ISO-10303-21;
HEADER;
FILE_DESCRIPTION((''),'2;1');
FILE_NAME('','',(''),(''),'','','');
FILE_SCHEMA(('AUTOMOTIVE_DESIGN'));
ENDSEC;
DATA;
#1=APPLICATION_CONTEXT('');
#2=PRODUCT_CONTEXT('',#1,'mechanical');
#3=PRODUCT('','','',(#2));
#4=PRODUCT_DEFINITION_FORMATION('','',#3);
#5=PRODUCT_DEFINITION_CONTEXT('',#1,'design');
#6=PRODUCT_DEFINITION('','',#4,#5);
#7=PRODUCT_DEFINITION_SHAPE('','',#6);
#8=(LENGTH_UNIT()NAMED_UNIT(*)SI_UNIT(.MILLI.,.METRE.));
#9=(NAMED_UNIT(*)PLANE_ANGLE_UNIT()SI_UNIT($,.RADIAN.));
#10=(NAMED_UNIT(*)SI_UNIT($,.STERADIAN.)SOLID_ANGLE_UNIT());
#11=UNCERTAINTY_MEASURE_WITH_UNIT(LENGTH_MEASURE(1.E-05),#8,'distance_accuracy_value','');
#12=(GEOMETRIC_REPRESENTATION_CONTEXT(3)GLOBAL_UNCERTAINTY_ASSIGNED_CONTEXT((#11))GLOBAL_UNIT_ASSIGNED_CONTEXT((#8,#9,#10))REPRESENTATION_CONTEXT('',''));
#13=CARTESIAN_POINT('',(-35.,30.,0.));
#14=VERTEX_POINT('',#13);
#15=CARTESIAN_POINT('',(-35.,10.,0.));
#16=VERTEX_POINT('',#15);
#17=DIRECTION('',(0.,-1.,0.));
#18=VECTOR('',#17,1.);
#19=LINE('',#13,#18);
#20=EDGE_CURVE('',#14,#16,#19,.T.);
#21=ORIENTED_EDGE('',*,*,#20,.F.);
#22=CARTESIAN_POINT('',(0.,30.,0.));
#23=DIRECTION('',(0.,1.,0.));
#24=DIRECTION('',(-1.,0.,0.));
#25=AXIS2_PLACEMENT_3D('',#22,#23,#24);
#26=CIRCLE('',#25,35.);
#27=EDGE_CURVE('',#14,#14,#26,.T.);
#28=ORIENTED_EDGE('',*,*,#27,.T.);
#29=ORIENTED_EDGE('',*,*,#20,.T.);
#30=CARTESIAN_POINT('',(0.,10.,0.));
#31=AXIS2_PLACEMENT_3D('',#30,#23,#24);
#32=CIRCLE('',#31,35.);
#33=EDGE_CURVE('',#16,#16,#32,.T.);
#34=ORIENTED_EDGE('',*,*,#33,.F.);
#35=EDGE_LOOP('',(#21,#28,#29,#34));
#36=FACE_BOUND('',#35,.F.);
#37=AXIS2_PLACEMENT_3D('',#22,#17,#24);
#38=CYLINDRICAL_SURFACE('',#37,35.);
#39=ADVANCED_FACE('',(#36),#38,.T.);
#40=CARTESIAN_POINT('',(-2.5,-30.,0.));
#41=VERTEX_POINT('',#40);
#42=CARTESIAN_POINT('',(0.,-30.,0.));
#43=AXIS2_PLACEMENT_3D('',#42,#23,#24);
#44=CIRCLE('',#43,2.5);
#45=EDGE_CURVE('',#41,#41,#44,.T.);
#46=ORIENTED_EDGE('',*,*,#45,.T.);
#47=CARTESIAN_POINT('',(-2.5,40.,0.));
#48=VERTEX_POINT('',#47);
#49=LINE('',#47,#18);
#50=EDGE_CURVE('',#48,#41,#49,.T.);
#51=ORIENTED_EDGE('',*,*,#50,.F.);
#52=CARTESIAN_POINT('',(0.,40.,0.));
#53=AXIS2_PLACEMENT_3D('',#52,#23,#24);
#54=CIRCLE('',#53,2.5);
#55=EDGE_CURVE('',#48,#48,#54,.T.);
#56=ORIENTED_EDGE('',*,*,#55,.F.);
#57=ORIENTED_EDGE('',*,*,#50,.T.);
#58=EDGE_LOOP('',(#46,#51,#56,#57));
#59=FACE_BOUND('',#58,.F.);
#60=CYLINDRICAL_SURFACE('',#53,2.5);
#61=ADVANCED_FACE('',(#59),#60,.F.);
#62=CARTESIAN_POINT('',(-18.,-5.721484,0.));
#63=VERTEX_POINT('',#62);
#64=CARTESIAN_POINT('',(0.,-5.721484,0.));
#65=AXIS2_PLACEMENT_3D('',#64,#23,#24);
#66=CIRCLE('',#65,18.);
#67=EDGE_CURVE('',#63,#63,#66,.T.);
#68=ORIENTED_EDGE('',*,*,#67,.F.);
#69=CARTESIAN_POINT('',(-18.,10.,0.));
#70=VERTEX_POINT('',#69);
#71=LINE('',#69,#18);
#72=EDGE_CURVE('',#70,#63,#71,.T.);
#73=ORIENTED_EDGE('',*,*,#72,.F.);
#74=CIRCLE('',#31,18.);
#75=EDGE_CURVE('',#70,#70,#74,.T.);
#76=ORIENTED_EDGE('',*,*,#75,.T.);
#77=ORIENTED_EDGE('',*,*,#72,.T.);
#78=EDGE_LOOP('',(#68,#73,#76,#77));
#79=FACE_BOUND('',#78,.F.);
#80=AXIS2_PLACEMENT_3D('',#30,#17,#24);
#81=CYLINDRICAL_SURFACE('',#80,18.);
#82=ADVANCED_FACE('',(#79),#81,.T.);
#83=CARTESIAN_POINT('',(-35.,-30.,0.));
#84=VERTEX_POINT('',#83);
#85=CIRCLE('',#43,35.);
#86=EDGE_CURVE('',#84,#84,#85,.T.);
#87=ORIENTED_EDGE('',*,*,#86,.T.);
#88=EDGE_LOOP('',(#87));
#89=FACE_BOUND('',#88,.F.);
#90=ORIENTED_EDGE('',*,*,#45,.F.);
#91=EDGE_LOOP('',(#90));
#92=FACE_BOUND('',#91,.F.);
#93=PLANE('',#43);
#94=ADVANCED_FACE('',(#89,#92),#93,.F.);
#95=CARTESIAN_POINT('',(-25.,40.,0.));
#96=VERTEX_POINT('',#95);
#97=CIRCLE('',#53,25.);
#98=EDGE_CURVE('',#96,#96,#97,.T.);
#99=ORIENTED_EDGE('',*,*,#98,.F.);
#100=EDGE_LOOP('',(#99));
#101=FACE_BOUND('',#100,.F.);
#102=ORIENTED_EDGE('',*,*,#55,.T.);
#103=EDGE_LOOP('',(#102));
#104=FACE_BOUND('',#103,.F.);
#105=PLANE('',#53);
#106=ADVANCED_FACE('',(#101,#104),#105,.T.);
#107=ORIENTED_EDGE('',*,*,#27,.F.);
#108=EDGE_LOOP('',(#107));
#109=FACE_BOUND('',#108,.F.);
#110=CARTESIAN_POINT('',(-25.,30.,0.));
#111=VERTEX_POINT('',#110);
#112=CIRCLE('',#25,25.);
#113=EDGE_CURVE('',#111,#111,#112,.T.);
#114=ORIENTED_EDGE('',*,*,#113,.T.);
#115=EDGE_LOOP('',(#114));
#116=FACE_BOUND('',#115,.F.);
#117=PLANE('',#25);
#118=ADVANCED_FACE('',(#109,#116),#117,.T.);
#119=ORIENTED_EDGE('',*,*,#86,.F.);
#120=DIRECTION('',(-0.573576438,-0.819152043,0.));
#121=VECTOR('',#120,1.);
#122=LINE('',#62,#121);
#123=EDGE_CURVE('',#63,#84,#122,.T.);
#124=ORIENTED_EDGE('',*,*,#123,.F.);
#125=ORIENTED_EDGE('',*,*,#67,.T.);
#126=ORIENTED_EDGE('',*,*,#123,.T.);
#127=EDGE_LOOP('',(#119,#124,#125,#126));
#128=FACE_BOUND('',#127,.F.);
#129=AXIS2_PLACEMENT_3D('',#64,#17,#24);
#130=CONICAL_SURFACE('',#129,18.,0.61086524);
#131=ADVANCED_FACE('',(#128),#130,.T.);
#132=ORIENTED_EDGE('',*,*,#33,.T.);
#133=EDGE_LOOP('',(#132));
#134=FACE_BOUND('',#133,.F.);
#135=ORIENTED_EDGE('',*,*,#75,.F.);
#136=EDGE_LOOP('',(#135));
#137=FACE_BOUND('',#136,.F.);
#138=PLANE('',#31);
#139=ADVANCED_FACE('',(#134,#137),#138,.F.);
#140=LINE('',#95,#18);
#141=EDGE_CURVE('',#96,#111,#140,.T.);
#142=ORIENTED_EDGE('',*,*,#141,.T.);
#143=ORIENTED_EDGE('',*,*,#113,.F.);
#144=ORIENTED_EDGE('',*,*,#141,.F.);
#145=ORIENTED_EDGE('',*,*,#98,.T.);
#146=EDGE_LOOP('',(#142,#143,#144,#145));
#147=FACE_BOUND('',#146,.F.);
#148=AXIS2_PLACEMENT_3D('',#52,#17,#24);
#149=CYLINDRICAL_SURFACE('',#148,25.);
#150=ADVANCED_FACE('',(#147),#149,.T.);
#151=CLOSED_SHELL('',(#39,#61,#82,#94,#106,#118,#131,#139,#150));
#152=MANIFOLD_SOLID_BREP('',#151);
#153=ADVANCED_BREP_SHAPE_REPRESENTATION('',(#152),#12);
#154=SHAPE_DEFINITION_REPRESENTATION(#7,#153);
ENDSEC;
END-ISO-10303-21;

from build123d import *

# Parameters (mm, degrees)
F2_R     = 2.5
F3_DEPTH = 70.001


with BuildPart() as f1:
    # F0 (on Top) → F1 (revolve)
    with BuildSketch(Plane.XY):
        Polygon((0, -30), (0, 0), (0, 40), (-25, 40), (-25, 30), (-35, 30), (-35, 10), (-18, 10), (-18, -5.721484), (-35, -30), align=None)
    revolve(axis=Axis((0, 20, 0), (0, 1, 0)))

    # F2 (on face) → F3 (cut, through all)
    with BuildSketch(Plane(origin=(0, 40, 0), x_dir=(-1, 0, 0), z_dir=(0, 1, 0))):
        Circle(F2_R)
    extrude(amount=-F3_DEPTH, mode=Mode.SUBTRACT)


solid = f1.part
